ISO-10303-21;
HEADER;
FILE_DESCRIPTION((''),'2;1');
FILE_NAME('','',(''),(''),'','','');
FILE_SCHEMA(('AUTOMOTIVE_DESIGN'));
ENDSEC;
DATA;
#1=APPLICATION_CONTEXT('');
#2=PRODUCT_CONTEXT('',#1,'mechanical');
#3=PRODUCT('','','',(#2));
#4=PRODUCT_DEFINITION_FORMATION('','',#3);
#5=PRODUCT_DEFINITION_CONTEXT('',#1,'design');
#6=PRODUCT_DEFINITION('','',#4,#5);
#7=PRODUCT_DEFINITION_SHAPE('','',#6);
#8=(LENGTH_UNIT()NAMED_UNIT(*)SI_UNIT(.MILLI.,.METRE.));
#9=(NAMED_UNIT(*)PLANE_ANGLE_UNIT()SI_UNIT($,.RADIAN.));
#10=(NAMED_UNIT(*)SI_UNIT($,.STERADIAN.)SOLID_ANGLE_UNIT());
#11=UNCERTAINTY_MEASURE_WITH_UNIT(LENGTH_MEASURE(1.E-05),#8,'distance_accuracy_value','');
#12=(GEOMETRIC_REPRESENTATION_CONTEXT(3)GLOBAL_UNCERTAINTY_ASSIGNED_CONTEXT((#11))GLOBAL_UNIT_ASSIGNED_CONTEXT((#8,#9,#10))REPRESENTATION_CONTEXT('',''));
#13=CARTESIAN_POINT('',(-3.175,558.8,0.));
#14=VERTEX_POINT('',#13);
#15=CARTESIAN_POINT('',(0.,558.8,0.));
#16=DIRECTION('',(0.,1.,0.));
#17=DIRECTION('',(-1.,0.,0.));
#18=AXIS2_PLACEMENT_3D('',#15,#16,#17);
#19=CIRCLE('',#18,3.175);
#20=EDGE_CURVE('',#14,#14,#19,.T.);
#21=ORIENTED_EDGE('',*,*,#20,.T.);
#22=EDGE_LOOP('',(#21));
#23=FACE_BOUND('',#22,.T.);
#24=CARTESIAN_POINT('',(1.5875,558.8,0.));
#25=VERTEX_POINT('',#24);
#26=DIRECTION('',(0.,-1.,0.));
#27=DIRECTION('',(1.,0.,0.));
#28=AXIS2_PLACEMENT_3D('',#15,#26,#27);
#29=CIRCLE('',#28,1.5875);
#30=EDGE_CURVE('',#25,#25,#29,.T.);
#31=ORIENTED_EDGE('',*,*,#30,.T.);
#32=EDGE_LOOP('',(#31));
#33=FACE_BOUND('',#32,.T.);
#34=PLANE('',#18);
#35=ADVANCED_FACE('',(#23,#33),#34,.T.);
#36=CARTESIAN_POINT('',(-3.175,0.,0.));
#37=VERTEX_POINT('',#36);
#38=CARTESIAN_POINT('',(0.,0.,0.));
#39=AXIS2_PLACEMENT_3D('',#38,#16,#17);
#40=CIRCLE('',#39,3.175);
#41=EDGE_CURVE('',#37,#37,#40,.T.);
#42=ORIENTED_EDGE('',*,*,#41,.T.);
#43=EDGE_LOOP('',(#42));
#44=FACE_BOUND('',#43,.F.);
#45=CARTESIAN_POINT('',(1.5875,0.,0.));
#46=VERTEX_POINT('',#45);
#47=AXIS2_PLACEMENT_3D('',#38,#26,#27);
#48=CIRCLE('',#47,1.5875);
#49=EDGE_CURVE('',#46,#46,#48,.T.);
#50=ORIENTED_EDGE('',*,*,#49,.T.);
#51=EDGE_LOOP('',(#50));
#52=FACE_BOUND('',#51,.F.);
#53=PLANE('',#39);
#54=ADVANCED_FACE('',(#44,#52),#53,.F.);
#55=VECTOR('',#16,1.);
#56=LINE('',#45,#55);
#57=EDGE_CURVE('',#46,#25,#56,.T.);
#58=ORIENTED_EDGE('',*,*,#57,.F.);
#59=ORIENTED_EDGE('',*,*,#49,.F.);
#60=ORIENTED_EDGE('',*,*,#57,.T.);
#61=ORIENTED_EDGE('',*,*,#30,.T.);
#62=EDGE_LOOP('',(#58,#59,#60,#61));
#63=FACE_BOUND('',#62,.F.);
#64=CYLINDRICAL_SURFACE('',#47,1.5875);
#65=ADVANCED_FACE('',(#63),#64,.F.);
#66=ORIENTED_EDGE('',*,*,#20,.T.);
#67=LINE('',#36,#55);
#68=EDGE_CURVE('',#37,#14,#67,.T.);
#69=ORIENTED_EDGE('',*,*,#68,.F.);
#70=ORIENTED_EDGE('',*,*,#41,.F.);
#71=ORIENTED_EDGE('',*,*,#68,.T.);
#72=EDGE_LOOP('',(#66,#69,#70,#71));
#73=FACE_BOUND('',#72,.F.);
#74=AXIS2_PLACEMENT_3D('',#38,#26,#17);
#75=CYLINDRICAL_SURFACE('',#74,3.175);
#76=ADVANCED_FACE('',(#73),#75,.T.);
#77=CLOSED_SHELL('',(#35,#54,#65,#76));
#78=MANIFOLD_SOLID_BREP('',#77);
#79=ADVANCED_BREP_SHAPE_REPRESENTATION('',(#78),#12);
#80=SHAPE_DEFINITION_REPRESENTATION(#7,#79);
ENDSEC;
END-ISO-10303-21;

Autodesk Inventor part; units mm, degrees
ref_plane "YZ Plane" through (0, 0, 0) normal (1, 0, 0) x (0, 1, 0)
ref_plane "XZ Plane" through (0, 0, 0) normal (0, 1, 0) x (-1, 0, 0)
ref_plane "XY Plane" through (0, 0, 0) normal (0, 0, 1) x (1, 0, 0)
sketch "Sketch1" plane through (0, 0, 0) normal (0, 1, 0) x (-1, 0, 0)
  circle A0 centre (0, 0) radius 3.175
  dimension "d0" = 6.35
extrude "Extrusion1" add sketch "Sketch1" along normal blind 558.8
sketch "Sketch2" plane through (0, 0, 0) normal (0, -1, 0) x (1, 0, 0)
  circle A0 centre (0, 0) radius 1.5875
  dimension "d3" = 3.175
extrude "Extrusion2" cut sketch "Sketch2" against normal blind 1168.4
properties part number "bar"
